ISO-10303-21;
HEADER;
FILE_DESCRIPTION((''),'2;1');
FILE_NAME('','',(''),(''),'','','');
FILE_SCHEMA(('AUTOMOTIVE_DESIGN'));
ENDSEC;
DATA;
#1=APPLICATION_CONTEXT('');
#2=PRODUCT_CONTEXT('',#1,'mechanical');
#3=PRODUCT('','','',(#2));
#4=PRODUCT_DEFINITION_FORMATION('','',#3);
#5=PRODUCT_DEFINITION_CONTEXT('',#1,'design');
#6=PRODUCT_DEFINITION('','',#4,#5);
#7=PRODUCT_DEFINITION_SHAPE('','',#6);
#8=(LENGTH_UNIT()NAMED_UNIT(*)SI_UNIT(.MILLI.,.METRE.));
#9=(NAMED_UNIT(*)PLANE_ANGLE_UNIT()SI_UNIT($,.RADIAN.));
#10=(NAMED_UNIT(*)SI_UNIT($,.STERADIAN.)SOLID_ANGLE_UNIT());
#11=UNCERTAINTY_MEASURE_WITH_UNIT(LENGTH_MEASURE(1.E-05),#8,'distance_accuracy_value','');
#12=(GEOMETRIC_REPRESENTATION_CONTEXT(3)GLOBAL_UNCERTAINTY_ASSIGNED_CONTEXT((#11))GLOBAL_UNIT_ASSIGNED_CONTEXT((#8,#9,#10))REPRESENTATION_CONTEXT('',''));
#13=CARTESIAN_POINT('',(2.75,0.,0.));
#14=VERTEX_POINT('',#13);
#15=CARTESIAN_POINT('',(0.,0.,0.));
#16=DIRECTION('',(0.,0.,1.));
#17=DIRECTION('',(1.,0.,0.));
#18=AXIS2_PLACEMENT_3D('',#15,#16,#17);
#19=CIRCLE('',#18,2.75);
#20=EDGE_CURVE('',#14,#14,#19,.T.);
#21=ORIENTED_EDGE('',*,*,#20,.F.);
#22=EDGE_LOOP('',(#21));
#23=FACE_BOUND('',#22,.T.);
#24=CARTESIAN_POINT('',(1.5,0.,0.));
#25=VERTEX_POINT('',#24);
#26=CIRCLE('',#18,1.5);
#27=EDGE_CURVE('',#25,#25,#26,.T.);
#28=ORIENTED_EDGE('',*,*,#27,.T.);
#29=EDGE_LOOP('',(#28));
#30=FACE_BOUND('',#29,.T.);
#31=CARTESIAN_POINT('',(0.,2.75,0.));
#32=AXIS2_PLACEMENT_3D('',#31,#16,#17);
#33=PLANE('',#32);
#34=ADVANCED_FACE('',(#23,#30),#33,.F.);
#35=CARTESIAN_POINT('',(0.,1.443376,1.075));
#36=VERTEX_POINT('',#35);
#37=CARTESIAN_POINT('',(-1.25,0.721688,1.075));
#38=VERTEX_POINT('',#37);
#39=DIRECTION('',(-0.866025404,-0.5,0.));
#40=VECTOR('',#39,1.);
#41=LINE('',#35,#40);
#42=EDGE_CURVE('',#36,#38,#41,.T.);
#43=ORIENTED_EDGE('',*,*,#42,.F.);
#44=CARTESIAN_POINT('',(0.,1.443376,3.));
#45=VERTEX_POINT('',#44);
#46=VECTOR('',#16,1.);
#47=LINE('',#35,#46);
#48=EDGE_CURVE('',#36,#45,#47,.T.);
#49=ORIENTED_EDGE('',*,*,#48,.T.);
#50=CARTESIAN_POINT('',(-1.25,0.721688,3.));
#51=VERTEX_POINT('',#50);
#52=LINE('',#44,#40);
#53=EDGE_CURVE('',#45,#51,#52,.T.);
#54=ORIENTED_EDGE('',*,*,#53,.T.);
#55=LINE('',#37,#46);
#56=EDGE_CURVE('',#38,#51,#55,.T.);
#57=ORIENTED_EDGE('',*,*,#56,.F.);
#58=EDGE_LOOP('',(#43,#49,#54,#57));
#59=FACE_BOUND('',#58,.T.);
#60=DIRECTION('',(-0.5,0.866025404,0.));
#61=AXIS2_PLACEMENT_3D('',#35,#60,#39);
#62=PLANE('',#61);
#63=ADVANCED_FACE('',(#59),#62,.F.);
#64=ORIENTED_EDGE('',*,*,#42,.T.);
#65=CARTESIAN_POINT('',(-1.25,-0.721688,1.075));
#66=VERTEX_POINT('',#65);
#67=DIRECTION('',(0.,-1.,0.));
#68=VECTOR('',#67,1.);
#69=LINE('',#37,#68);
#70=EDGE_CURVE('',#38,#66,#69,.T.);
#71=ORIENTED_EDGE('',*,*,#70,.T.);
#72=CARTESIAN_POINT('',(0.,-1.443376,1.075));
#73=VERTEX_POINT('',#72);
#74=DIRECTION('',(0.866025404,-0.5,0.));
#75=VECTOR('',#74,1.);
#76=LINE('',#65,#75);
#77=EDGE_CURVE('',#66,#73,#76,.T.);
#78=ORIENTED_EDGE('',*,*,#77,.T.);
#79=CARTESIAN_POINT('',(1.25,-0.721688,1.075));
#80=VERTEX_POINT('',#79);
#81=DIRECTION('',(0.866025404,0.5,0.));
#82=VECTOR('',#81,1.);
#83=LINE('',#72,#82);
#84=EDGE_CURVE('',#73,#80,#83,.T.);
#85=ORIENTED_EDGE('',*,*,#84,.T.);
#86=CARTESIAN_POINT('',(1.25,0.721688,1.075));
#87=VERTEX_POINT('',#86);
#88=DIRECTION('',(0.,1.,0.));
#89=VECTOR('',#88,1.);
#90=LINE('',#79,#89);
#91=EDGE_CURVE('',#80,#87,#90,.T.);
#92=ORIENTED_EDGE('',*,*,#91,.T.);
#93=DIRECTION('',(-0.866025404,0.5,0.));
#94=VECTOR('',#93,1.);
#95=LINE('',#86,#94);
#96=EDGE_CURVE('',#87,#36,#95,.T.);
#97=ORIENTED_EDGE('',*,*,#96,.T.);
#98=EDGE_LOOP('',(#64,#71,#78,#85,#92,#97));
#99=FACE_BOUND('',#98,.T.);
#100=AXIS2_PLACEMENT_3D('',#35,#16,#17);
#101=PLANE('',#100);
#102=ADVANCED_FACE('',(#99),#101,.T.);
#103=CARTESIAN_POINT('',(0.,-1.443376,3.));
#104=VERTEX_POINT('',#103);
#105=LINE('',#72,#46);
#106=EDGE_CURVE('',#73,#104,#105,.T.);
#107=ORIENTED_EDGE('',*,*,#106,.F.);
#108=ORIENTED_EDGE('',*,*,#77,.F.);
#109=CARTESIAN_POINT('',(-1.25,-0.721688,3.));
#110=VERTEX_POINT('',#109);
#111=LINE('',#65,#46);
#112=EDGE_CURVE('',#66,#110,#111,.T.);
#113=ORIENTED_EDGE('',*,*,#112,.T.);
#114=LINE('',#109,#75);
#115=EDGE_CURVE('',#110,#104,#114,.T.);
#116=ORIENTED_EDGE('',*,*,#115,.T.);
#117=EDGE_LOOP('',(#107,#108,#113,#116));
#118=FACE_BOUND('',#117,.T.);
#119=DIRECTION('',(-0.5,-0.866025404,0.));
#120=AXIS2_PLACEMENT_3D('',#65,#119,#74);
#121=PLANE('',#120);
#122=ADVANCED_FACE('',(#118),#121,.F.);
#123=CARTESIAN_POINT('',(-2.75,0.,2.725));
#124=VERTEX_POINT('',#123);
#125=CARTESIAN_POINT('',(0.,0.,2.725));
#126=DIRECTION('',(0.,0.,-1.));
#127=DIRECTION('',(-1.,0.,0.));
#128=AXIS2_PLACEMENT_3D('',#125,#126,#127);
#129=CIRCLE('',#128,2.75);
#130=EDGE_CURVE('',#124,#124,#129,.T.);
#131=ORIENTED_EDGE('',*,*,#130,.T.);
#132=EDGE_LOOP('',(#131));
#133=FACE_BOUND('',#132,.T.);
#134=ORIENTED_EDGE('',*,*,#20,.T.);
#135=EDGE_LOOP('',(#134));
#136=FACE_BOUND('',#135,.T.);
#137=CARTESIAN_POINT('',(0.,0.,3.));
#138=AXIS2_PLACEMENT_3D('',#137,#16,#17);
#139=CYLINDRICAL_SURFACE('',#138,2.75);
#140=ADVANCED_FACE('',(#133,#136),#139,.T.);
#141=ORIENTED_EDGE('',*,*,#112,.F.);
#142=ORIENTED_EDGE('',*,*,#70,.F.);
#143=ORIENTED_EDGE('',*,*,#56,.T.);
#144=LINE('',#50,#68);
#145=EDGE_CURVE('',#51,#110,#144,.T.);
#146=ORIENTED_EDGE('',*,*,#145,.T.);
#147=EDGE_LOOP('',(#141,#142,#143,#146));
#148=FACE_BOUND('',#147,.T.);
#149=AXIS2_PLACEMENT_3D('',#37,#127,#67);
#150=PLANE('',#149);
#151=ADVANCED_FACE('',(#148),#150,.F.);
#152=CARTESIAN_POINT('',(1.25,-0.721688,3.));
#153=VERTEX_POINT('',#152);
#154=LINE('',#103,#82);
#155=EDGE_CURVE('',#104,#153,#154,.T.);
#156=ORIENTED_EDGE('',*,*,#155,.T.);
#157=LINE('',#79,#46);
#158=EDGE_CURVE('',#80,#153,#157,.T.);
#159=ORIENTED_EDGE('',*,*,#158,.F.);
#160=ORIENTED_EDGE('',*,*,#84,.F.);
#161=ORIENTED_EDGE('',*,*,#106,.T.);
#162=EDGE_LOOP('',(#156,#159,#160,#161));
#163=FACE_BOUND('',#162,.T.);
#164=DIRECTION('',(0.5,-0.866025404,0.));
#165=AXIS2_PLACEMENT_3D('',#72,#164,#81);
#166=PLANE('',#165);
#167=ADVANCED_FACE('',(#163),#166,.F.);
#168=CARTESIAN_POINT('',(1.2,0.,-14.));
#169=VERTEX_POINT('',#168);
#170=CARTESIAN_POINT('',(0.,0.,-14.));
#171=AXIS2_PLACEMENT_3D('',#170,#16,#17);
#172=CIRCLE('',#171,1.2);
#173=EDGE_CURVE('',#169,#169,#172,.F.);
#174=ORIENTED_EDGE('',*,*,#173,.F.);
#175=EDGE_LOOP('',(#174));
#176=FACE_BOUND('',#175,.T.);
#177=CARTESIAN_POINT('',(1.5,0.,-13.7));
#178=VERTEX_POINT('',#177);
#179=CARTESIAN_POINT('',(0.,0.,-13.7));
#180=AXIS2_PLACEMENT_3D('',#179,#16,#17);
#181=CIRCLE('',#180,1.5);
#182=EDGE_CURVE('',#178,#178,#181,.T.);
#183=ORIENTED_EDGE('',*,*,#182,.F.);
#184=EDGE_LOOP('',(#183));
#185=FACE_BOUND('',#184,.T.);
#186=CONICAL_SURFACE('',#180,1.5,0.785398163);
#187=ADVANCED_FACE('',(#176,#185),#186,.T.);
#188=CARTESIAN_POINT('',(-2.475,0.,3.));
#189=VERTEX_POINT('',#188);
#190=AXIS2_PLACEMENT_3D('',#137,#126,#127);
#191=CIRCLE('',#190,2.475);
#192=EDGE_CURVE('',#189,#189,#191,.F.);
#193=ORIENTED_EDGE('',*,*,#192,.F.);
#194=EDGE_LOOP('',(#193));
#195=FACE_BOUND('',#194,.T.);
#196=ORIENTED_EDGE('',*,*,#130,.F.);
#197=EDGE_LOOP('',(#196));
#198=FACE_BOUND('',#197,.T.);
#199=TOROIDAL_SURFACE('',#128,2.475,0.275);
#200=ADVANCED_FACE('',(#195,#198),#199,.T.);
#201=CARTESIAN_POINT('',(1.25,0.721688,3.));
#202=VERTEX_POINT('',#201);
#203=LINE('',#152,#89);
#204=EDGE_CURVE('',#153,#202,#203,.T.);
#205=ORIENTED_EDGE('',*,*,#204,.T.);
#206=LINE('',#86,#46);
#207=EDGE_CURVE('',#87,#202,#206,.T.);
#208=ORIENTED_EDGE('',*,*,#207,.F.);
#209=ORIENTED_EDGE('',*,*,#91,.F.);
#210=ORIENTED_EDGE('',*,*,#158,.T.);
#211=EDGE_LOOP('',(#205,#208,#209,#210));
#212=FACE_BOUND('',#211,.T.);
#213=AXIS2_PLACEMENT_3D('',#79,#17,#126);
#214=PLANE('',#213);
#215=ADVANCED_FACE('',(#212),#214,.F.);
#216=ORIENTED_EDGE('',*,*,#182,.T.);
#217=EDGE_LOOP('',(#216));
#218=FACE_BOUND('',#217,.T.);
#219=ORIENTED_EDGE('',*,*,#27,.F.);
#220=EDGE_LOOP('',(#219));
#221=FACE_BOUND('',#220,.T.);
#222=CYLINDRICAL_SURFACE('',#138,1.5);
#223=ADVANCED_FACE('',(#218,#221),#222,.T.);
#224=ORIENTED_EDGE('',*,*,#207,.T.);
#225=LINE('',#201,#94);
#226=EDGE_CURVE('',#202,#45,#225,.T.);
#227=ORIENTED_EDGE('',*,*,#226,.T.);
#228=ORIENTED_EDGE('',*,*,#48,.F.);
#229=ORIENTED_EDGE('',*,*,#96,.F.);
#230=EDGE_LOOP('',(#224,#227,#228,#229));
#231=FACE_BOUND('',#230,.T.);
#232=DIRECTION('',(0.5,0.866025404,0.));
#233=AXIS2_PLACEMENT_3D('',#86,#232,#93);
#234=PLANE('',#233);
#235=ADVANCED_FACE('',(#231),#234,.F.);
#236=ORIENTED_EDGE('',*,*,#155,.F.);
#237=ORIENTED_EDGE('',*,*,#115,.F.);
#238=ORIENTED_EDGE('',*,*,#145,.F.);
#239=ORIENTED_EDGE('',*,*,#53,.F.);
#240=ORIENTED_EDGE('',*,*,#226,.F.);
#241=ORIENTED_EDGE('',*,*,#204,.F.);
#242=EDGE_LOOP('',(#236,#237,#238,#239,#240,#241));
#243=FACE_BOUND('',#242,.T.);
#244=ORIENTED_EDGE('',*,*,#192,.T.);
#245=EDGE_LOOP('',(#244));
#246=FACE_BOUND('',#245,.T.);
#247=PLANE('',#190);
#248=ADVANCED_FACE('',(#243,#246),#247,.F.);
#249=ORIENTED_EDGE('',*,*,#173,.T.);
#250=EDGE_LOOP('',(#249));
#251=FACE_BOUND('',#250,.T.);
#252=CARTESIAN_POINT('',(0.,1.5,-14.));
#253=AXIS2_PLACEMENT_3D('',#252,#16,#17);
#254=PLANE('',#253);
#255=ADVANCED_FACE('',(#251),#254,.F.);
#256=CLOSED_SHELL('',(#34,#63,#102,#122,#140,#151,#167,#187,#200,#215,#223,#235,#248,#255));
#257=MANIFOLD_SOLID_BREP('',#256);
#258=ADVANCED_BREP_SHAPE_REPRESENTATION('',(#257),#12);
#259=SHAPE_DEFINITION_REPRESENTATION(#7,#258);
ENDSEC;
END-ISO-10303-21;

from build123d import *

# Parameters (mm, degrees)
CUT_EXTRUDE_1_DEPTH = 1.925
FILLET_1_R          = 0.275
CHAMFER_1_SIZE      = 0.3


with BuildPart() as part:
    # 草图3 → 旋转1 (revolve)
    with BuildSketch(Plane(origin=(0, 0, 0), x_dir=(0, 0, -1), z_dir=(1, 0, 0)), mode=Mode.PRIVATE) as revolve_1_sk:
        Polygon((-3, 0), (-3, 2.75), (0, 2.75), (0, 1.5), (14, 1.5), (14, 0), align=None)
    revolve(revolve_1_sk.sketch.rotate(Axis((0, 0, 3), (0, 0, -1)), 90), axis=Axis((0, 0, 3), (0, 0, -1)))

    # 草图4 → 切除-拉伸1 (cut)
    with BuildSketch(Plane.XY.offset(3)):
        Polygon((0, 1.443375673), (-1.25, 0.721687836), (-1.25, -0.721687836), (0, -1.443375673), (1.25, -0.721687836), (1.25, 0.721687836), align=None)
    extrude(amount=-CUT_EXTRUDE_1_DEPTH, mode=Mode.SUBTRACT)

    # 圆角1
    fillet_1_edges = [part.edges().sort_by_distance(p)[0] for p in [
        (-2.75, 0, 3),
    ]]
    fillet(fillet_1_edges, radius=FILLET_1_R)

    # 倒角1
    chamfer_1_edges = [part.edges().sort_by_distance(p)[0] for p in [
        (-1.5, 0, -14),
    ]]
    chamfer(chamfer_1_edges, length=CHAMFER_1_SIZE)


solid = part.part
